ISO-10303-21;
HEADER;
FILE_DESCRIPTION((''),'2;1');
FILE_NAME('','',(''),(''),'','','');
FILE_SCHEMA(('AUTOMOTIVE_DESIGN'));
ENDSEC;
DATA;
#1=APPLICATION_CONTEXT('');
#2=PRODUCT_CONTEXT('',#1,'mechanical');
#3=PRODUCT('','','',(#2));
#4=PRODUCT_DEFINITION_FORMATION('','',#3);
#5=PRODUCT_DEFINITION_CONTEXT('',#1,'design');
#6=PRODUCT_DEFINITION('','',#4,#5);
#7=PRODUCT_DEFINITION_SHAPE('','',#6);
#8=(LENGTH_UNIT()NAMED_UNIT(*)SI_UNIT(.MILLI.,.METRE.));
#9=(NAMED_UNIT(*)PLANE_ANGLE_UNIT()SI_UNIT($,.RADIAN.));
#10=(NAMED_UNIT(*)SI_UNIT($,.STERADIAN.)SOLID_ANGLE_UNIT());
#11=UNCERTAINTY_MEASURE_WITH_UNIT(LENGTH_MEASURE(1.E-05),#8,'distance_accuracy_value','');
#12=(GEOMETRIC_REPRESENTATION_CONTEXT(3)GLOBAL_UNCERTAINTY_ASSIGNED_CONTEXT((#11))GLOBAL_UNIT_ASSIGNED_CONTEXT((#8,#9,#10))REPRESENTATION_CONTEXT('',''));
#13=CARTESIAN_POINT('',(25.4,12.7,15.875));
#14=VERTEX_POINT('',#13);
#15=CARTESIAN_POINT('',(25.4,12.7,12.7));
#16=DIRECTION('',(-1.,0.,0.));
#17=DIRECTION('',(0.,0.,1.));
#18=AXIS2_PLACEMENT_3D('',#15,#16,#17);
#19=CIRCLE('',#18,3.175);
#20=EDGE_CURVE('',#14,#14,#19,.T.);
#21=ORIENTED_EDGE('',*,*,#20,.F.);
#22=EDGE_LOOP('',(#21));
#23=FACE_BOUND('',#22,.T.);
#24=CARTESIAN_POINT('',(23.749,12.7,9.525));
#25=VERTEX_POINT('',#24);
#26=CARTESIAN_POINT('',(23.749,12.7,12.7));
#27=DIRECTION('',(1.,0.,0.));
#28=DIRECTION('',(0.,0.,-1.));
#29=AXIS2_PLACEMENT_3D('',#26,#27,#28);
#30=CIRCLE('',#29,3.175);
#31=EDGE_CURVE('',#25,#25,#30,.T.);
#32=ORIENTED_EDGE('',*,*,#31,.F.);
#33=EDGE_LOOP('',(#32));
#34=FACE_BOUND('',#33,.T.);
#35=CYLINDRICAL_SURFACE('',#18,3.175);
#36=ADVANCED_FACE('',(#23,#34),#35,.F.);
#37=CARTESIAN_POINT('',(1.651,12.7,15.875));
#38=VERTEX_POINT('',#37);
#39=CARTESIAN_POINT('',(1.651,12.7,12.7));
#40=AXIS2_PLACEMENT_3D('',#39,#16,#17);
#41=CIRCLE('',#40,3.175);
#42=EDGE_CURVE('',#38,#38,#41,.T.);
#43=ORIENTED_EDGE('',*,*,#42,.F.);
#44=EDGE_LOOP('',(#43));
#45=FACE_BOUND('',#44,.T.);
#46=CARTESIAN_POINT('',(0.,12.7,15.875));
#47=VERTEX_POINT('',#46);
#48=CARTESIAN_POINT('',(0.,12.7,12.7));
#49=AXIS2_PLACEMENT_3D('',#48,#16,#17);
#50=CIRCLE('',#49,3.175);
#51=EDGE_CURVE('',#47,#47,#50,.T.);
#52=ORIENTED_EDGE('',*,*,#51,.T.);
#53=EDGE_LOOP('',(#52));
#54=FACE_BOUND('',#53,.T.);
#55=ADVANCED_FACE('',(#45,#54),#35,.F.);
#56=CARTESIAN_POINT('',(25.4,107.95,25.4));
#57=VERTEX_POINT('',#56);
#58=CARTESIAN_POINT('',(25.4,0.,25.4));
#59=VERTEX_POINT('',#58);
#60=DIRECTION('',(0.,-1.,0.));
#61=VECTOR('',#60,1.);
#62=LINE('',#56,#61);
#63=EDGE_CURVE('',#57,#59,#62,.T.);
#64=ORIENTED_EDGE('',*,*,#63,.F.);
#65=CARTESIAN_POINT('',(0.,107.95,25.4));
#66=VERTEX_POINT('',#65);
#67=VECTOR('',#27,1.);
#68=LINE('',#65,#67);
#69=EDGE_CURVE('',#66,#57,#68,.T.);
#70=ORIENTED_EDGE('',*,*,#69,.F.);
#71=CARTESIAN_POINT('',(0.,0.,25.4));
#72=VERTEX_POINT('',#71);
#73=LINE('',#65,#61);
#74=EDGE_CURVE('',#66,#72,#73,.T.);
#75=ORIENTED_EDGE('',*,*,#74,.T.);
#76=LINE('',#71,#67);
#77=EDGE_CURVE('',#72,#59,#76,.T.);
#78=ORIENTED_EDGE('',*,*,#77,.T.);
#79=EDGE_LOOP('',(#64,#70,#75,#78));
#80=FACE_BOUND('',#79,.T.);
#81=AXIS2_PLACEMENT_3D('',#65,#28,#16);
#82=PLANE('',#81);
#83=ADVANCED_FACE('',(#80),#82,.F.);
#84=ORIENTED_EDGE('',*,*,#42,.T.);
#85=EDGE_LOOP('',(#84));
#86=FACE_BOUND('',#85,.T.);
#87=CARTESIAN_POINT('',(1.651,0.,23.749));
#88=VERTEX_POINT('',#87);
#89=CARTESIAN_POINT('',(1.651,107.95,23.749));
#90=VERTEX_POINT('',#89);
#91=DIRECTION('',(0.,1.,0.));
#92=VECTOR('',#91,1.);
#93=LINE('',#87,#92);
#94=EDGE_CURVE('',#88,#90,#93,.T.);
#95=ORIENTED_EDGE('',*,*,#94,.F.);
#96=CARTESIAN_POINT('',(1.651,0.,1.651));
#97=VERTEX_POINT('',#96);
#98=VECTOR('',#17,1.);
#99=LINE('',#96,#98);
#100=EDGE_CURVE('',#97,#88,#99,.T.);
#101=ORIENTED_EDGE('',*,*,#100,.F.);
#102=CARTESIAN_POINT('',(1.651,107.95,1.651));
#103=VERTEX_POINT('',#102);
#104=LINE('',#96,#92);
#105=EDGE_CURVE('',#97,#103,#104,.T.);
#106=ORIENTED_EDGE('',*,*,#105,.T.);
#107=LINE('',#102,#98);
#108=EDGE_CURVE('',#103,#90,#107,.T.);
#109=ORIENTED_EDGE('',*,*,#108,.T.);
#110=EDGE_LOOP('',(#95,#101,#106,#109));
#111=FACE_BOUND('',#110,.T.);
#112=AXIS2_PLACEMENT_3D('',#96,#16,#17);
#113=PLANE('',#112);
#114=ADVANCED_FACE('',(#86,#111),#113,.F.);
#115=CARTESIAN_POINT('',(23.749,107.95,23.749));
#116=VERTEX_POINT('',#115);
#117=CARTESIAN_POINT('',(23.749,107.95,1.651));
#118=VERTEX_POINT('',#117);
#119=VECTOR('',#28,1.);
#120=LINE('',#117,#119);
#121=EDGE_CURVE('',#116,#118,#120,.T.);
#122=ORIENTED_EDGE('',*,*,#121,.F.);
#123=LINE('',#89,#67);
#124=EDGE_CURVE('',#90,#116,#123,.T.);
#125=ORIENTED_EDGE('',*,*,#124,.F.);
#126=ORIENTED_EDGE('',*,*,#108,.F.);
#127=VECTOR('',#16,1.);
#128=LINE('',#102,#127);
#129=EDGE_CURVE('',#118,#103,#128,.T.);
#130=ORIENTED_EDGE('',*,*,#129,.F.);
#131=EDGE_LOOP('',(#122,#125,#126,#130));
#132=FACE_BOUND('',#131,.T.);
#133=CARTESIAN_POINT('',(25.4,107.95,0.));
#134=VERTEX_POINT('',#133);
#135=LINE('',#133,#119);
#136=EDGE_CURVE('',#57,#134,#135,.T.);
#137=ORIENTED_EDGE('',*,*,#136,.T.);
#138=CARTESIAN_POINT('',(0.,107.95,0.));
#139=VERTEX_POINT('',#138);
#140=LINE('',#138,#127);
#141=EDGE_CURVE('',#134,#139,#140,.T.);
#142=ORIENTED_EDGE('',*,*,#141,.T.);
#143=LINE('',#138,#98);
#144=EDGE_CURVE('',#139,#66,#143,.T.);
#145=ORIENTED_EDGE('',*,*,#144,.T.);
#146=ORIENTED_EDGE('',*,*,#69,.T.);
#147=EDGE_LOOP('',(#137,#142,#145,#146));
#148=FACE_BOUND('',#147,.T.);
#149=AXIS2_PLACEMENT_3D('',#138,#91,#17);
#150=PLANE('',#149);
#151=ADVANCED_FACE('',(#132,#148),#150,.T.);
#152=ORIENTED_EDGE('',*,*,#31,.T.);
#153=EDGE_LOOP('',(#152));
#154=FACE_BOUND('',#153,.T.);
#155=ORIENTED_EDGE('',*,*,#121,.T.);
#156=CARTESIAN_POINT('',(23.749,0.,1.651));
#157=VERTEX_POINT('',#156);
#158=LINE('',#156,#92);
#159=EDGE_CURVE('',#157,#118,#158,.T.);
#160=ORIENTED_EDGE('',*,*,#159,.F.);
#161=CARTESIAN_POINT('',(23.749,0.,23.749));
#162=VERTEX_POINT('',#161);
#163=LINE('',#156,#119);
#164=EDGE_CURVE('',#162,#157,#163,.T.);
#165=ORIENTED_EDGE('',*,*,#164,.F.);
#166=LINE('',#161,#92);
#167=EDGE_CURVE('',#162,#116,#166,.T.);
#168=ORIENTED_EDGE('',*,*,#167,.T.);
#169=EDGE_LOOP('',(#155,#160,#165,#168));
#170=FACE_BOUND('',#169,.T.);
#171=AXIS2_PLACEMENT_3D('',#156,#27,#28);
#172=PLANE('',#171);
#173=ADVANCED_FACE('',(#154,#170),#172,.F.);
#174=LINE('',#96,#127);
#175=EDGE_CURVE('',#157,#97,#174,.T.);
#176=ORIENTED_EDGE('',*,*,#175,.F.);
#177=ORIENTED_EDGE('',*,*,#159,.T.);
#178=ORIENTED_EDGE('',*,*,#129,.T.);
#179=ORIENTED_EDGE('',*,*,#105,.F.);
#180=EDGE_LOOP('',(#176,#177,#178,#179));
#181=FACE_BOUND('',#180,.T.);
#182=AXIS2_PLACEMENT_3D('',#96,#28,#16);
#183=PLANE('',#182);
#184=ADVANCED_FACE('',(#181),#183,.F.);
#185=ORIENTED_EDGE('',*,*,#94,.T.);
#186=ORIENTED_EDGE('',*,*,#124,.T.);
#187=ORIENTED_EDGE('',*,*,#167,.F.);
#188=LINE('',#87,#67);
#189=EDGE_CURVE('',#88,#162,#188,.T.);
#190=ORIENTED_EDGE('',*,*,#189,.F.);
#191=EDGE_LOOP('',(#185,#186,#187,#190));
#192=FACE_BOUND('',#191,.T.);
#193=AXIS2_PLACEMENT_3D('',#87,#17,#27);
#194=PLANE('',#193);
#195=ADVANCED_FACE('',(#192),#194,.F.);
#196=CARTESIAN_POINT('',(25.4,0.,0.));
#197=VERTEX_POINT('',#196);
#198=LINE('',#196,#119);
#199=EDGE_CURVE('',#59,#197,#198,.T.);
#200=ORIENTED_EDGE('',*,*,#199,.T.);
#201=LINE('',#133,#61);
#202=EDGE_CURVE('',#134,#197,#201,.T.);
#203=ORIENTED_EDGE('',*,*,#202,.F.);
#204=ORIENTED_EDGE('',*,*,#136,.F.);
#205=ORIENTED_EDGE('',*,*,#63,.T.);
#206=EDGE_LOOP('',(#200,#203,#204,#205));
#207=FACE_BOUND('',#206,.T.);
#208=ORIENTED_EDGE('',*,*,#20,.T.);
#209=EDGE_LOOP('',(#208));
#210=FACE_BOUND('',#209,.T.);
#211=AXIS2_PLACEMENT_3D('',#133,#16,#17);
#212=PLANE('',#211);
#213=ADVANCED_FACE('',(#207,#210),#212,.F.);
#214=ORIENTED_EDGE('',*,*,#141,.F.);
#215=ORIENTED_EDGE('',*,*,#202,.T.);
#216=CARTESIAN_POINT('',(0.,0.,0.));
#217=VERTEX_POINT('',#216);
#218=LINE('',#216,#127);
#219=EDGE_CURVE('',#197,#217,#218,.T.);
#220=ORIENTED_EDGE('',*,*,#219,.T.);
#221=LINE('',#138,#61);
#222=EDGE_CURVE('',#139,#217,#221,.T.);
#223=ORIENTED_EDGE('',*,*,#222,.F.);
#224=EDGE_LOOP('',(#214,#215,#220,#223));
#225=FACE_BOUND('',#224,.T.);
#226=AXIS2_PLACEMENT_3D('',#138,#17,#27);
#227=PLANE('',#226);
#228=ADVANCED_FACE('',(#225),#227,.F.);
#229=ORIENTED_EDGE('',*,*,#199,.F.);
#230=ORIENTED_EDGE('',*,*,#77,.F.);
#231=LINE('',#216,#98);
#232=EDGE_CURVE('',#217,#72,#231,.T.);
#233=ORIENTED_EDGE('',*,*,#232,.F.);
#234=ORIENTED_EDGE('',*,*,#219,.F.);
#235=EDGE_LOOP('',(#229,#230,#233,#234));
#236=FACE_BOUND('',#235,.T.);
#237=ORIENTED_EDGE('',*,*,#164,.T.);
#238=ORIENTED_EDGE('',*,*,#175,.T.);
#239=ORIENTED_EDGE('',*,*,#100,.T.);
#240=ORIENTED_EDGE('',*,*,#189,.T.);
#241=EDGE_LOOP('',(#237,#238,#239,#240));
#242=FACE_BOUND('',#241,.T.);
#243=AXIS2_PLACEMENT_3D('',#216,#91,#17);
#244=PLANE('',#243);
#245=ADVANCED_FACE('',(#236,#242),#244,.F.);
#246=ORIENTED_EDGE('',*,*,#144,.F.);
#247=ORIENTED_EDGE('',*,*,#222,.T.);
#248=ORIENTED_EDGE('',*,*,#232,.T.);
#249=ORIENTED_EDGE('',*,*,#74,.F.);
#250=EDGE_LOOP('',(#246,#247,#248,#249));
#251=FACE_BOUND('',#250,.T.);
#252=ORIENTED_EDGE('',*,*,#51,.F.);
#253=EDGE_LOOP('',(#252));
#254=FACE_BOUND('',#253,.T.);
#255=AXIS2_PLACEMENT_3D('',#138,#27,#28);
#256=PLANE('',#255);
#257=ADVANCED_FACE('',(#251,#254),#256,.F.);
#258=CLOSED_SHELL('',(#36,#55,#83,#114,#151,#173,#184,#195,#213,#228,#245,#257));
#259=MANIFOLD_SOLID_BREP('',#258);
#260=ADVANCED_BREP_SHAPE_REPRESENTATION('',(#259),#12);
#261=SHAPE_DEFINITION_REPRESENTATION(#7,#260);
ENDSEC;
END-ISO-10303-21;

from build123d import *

# Parameters (mm, degrees)
SKETCH1_W           = 25.4
SKETCH1_H           = 25.4
BOSS_EXTRUDE1_DEPTH = 107.95
SKETCH2_W           = 22.098
SKETCH2_H           = 22.098
CUT_EXTRUDE1_DEPTH  = 114.769602707
SKETCH3_R           = 3.175
CUT_EXTRUDE2_DEPTH  = 114.769602707


with BuildPart() as part:
    # Sketch1 → Boss-Extrude1 (new body)
    with BuildSketch(Plane(origin=(0, 0, 0), x_dir=(1, 0, 0), z_dir=(0, 1, 0))):
        with Locations((12.7, -12.7)):
            Rectangle(SKETCH1_W, SKETCH1_H)
    extrude(amount=BOSS_EXTRUDE1_DEPTH)

    # Sketch2 → Cut-Extrude1 (cut, through all)
    with BuildSketch(Plane(origin=(0, 107.95, 0), x_dir=(1, 0, 0), z_dir=(0, 1, 0))):
        with Locations((12.7, -12.7)):
            Rectangle(SKETCH2_W, SKETCH2_H)
    extrude(amount=-CUT_EXTRUDE1_DEPTH, mode=Mode.SUBTRACT)

    # Sketch3 → Cut-Extrude2 (cut, through all)
    with BuildSketch(Plane.ZY):
        with Locations((12.7, 12.7)):
            Circle(SKETCH3_R)
    extrude(amount=-CUT_EXTRUDE2_DEPTH, mode=Mode.SUBTRACT)


solid = part.part
